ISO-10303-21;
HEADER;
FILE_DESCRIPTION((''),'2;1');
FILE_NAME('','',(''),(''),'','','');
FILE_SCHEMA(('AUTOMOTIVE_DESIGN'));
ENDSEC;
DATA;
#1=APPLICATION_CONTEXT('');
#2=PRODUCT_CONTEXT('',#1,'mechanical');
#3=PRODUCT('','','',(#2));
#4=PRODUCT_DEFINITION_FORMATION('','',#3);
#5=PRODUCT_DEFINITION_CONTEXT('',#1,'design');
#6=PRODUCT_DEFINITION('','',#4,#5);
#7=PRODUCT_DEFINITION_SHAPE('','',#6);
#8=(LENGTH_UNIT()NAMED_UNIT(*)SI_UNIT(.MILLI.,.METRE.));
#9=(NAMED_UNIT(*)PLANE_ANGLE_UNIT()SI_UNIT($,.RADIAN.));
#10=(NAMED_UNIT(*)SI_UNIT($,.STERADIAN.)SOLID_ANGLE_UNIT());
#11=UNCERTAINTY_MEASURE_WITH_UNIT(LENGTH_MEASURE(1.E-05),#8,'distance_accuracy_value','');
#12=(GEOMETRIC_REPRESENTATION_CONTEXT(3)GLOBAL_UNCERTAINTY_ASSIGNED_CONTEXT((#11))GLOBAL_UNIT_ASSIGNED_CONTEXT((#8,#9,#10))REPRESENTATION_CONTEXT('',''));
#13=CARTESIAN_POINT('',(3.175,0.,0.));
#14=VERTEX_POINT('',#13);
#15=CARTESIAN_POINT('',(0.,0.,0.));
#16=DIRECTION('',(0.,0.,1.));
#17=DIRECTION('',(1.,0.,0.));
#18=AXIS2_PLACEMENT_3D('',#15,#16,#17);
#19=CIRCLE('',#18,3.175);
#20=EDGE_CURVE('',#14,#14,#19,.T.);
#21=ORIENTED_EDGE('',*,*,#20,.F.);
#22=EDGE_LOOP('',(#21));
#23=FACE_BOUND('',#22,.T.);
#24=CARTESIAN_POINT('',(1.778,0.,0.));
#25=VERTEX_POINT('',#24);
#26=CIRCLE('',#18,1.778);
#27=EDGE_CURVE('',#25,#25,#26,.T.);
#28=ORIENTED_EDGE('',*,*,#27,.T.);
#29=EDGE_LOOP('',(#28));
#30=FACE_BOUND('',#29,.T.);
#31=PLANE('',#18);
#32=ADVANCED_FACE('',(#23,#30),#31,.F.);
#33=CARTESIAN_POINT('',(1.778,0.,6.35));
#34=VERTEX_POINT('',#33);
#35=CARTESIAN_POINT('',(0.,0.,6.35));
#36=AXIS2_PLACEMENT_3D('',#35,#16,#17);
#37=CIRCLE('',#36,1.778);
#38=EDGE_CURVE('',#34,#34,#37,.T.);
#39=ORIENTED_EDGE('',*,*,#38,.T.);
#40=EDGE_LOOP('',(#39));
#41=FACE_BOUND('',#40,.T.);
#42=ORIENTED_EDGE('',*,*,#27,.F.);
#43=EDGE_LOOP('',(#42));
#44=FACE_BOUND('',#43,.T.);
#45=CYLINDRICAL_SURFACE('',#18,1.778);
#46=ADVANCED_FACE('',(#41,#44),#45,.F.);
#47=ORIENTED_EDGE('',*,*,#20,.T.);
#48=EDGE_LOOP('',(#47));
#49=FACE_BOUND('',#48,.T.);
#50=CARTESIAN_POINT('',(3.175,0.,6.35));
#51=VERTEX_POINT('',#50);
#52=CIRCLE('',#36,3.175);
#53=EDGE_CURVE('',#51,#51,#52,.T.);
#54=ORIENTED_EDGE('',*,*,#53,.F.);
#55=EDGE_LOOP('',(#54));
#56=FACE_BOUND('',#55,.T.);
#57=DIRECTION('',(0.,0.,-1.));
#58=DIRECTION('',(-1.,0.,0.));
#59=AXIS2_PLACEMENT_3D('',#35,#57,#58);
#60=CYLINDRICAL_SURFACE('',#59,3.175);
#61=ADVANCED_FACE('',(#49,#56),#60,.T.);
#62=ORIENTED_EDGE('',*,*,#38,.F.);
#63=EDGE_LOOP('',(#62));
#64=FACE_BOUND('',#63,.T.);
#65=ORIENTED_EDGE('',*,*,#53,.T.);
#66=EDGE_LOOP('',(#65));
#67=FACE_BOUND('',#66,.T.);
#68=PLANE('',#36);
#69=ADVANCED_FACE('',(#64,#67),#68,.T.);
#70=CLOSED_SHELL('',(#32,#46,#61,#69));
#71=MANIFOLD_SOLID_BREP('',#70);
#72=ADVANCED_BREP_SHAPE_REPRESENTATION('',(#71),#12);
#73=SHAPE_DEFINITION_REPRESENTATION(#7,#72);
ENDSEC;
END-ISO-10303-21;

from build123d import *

# Parameters (mm, degrees)
SKETCH1_R           = 3.175
BOSS_EXTRUDE1_DEPTH = 6.35
SKETCH2_R           = 1.778
CUT_EXTRUDE1_DEPTH  = 6.35


with BuildPart() as part:
    # Sketch1 → Boss-Extrude1 (new body)
    with BuildSketch(Plane.XY):
        Circle(SKETCH1_R)
    extrude(amount=BOSS_EXTRUDE1_DEPTH)

    # Sketch2 → Cut-Extrude1 (cut)
    with BuildSketch(Plane.XY.offset(6.35)):
        Circle(SKETCH2_R)
    extrude(amount=-CUT_EXTRUDE1_DEPTH, mode=Mode.SUBTRACT)


solid = part.part
